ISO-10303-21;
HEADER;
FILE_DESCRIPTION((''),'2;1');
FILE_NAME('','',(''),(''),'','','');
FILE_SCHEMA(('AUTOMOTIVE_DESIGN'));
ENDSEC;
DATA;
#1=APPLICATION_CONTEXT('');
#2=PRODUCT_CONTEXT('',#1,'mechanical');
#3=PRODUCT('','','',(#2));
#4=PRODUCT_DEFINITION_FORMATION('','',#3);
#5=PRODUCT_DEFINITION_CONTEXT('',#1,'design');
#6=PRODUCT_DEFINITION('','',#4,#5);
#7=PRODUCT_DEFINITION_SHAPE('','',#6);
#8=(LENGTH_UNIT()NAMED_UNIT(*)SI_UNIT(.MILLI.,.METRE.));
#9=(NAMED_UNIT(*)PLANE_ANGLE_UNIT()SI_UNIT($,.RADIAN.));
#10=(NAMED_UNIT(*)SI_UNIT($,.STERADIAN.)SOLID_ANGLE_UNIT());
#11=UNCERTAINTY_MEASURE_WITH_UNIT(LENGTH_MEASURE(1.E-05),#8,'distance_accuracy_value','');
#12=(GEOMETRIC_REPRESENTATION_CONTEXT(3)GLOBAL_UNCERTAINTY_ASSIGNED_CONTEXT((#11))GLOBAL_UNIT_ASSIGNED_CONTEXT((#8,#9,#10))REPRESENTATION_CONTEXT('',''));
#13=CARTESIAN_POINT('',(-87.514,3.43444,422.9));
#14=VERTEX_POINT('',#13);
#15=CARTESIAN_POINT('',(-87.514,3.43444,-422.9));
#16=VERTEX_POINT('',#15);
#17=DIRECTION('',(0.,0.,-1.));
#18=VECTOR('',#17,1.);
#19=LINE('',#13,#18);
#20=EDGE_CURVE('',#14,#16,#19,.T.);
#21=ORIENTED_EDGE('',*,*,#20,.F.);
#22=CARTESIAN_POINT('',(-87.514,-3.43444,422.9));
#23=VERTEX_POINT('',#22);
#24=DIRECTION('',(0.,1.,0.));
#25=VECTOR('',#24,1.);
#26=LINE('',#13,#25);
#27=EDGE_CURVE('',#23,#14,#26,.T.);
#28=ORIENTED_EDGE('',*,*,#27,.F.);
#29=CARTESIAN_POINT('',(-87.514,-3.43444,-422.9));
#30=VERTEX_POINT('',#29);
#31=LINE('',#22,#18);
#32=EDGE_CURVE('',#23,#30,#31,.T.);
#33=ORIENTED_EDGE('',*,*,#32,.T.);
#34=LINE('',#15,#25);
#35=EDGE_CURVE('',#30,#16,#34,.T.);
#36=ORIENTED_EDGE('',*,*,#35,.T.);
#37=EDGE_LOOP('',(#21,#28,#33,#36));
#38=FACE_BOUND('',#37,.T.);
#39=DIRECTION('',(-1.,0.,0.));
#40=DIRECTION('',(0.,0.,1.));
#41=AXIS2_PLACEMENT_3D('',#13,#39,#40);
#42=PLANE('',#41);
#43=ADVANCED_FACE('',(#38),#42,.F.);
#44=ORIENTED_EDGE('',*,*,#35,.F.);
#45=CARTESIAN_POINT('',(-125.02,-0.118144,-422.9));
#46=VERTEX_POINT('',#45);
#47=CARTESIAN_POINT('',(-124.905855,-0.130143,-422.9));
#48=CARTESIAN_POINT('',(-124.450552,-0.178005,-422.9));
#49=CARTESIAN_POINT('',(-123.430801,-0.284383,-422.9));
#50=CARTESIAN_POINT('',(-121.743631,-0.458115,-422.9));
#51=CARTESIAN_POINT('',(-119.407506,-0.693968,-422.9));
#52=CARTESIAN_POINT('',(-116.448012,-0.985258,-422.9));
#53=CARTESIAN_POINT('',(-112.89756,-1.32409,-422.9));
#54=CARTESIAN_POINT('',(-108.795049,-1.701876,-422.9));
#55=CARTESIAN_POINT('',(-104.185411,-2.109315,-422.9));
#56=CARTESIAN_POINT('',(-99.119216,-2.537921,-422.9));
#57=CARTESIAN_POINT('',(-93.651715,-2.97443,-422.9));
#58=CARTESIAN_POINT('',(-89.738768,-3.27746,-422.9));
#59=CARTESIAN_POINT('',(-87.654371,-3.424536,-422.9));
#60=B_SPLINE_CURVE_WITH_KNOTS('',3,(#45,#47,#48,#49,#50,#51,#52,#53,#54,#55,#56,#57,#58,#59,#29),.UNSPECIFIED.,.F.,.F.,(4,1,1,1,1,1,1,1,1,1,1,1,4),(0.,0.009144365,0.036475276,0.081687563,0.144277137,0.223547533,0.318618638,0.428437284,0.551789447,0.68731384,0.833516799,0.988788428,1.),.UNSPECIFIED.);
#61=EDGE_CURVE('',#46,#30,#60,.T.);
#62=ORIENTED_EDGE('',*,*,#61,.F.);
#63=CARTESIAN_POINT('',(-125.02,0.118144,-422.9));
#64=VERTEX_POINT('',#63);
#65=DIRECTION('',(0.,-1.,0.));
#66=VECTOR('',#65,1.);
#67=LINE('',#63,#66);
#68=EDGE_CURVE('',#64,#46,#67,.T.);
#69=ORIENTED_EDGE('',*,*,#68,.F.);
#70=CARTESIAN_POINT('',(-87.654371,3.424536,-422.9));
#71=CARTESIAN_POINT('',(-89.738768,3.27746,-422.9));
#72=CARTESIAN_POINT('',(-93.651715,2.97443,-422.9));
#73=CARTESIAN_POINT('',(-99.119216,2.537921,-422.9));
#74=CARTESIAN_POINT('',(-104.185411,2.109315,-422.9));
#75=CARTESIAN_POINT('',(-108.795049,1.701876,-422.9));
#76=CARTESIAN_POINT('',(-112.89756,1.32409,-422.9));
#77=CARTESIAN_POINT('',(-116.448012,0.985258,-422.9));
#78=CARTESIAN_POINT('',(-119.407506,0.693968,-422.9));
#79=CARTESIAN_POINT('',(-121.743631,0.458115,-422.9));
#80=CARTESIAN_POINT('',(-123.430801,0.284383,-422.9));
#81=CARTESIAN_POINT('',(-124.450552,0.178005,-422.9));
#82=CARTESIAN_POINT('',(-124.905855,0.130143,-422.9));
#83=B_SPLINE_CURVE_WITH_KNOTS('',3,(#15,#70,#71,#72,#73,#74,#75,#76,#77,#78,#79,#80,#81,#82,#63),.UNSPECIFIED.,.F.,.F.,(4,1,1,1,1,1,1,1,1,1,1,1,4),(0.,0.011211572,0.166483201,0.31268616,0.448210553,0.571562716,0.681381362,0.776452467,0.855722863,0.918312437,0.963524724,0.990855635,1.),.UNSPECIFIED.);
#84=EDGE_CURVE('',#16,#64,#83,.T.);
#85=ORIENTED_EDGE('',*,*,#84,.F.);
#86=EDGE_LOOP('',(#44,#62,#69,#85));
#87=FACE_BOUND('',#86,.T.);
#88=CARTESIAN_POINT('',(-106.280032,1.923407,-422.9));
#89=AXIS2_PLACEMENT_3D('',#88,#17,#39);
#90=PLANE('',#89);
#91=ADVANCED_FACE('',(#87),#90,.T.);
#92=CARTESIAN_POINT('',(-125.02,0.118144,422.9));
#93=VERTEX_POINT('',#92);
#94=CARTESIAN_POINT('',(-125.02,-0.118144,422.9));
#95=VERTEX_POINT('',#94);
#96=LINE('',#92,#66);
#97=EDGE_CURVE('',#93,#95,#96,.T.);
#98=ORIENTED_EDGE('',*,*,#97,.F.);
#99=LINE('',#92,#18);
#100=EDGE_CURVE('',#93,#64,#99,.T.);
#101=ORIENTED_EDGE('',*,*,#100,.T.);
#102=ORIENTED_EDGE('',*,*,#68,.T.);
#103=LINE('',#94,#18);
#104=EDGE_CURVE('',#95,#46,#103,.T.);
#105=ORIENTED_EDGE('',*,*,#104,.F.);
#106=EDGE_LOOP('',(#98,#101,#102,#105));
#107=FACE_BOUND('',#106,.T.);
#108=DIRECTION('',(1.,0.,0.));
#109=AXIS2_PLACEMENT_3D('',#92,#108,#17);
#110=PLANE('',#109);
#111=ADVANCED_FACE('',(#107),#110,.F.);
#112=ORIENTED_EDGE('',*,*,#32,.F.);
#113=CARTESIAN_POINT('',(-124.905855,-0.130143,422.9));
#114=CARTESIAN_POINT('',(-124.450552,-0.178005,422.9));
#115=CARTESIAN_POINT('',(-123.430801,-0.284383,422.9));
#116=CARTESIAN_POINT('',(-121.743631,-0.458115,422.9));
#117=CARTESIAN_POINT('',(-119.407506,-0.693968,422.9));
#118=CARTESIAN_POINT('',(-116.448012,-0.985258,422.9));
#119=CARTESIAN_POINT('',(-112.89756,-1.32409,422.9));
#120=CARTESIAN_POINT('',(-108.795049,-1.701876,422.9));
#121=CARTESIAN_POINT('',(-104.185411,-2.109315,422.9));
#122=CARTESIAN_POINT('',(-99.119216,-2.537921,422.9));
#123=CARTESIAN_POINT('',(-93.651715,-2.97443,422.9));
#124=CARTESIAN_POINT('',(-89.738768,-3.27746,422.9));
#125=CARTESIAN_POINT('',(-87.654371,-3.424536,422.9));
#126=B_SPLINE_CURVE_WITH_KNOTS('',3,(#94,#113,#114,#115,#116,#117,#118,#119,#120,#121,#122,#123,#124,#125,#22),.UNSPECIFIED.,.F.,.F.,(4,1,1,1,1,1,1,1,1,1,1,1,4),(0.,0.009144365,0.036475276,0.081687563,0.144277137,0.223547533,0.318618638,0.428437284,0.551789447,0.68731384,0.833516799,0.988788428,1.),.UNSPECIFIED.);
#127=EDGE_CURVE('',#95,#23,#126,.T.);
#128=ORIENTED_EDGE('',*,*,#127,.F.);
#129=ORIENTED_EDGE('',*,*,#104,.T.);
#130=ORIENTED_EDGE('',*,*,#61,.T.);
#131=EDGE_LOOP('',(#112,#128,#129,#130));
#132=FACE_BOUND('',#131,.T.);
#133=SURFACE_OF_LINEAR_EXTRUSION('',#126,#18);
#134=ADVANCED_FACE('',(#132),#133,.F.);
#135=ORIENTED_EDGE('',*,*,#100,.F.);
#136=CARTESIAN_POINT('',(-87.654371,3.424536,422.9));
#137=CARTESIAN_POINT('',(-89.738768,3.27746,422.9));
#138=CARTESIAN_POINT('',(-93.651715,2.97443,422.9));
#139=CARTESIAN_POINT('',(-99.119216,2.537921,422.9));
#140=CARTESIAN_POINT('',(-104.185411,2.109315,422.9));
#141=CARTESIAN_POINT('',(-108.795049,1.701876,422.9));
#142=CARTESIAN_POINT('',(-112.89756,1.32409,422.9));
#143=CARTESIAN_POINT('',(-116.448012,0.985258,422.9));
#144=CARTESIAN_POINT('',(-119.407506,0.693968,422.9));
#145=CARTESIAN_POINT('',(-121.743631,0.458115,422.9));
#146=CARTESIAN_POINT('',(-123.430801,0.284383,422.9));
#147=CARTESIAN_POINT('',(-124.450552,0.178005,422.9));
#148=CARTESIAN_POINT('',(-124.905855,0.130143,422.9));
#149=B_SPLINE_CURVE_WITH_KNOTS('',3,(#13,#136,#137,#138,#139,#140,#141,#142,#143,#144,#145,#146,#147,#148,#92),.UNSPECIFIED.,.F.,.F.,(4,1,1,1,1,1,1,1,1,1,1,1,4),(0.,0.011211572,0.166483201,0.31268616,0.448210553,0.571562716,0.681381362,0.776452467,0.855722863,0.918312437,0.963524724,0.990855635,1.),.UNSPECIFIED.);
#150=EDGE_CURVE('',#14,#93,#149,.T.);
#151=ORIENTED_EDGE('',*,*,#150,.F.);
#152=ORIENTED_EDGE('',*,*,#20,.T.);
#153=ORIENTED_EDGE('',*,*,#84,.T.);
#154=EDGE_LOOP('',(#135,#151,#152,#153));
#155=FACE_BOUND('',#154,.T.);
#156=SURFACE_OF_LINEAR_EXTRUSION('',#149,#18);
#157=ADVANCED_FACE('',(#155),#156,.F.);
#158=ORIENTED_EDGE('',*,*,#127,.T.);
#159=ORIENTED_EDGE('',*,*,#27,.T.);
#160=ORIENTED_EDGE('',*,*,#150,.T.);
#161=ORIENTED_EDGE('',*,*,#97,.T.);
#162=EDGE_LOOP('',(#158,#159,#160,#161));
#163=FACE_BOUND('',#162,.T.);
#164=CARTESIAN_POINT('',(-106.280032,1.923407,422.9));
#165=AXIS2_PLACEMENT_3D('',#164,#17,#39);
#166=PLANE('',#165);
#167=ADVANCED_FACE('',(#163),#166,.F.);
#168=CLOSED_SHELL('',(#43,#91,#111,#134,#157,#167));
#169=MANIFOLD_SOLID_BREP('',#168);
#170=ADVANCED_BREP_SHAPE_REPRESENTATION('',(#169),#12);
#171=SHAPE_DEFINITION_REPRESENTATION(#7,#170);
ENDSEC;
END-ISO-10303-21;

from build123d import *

# Parameters (mm, degrees)
BOSS_EXTRUDE1_DEPTH = 422.9


with BuildPart() as part:
    # Sketch1 → Boss-Extrude1 (new, symmetric)
    with BuildSketch(Plane.XY):
        with BuildLine():
            Line((-87.514, 3.434440277), (-87.514, -3.434440277))
            add(Edge.make_bspline(
                [(-87.514, -3.434440277), (-87.654370744, -3.424535645), (-89.738768034, -3.277459503), (-93.651714929, -2.974429583), (-99.119216256, -2.537921339), (-104.185410687, -2.109314547), (-108.795049029, -1.701875709), (-112.897560329, -1.324090468), (-116.448011673, -0.985258043), (-119.407505812, -0.693967655), (-121.743630756, -0.458114732), (-123.430801146, -0.284382732), (-124.450552292, -0.178005142), (-124.905855357, -0.130142965), (-125.02, -0.1181439)],
                knots=[0, 0, 0, 0, 0.011211572, 0.166483201, 0.31268616, 0.448210553, 0.571562716, 0.681381362, 0.776452467, 0.855722863, 0.918312437, 0.963524724, 0.990855635, 1, 1, 1, 1], degree=3))
            Line((-125.02, -0.1181439), (-125.02, 0.1181439))
            add(Edge.make_bspline(
                [(-87.514, 3.434440277), (-87.654370744, 3.424535645), (-89.738768034, 3.277459503), (-93.651714929, 2.974429583), (-99.119216256, 2.537921339), (-104.185410687, 2.109314547), (-108.795049029, 1.701875709), (-112.897560329, 1.324090468), (-116.448011673, 0.985258043), (-119.407505812, 0.693967655), (-121.743630756, 0.458114732), (-123.430801146, 0.284382732), (-124.450552292, 0.178005142), (-124.905855357, 0.130142965), (-125.02, 0.1181439)],
                knots=[0, 0, 0, 0, 0.011211572, 0.166483201, 0.31268616, 0.448210553, 0.571562716, 0.681381362, 0.776452467, 0.855722863, 0.918312437, 0.963524724, 0.990855635, 1, 1, 1, 1], degree=3))
        make_face()
    extrude(amount=BOSS_EXTRUDE1_DEPTH, both=True)


solid = part.part
